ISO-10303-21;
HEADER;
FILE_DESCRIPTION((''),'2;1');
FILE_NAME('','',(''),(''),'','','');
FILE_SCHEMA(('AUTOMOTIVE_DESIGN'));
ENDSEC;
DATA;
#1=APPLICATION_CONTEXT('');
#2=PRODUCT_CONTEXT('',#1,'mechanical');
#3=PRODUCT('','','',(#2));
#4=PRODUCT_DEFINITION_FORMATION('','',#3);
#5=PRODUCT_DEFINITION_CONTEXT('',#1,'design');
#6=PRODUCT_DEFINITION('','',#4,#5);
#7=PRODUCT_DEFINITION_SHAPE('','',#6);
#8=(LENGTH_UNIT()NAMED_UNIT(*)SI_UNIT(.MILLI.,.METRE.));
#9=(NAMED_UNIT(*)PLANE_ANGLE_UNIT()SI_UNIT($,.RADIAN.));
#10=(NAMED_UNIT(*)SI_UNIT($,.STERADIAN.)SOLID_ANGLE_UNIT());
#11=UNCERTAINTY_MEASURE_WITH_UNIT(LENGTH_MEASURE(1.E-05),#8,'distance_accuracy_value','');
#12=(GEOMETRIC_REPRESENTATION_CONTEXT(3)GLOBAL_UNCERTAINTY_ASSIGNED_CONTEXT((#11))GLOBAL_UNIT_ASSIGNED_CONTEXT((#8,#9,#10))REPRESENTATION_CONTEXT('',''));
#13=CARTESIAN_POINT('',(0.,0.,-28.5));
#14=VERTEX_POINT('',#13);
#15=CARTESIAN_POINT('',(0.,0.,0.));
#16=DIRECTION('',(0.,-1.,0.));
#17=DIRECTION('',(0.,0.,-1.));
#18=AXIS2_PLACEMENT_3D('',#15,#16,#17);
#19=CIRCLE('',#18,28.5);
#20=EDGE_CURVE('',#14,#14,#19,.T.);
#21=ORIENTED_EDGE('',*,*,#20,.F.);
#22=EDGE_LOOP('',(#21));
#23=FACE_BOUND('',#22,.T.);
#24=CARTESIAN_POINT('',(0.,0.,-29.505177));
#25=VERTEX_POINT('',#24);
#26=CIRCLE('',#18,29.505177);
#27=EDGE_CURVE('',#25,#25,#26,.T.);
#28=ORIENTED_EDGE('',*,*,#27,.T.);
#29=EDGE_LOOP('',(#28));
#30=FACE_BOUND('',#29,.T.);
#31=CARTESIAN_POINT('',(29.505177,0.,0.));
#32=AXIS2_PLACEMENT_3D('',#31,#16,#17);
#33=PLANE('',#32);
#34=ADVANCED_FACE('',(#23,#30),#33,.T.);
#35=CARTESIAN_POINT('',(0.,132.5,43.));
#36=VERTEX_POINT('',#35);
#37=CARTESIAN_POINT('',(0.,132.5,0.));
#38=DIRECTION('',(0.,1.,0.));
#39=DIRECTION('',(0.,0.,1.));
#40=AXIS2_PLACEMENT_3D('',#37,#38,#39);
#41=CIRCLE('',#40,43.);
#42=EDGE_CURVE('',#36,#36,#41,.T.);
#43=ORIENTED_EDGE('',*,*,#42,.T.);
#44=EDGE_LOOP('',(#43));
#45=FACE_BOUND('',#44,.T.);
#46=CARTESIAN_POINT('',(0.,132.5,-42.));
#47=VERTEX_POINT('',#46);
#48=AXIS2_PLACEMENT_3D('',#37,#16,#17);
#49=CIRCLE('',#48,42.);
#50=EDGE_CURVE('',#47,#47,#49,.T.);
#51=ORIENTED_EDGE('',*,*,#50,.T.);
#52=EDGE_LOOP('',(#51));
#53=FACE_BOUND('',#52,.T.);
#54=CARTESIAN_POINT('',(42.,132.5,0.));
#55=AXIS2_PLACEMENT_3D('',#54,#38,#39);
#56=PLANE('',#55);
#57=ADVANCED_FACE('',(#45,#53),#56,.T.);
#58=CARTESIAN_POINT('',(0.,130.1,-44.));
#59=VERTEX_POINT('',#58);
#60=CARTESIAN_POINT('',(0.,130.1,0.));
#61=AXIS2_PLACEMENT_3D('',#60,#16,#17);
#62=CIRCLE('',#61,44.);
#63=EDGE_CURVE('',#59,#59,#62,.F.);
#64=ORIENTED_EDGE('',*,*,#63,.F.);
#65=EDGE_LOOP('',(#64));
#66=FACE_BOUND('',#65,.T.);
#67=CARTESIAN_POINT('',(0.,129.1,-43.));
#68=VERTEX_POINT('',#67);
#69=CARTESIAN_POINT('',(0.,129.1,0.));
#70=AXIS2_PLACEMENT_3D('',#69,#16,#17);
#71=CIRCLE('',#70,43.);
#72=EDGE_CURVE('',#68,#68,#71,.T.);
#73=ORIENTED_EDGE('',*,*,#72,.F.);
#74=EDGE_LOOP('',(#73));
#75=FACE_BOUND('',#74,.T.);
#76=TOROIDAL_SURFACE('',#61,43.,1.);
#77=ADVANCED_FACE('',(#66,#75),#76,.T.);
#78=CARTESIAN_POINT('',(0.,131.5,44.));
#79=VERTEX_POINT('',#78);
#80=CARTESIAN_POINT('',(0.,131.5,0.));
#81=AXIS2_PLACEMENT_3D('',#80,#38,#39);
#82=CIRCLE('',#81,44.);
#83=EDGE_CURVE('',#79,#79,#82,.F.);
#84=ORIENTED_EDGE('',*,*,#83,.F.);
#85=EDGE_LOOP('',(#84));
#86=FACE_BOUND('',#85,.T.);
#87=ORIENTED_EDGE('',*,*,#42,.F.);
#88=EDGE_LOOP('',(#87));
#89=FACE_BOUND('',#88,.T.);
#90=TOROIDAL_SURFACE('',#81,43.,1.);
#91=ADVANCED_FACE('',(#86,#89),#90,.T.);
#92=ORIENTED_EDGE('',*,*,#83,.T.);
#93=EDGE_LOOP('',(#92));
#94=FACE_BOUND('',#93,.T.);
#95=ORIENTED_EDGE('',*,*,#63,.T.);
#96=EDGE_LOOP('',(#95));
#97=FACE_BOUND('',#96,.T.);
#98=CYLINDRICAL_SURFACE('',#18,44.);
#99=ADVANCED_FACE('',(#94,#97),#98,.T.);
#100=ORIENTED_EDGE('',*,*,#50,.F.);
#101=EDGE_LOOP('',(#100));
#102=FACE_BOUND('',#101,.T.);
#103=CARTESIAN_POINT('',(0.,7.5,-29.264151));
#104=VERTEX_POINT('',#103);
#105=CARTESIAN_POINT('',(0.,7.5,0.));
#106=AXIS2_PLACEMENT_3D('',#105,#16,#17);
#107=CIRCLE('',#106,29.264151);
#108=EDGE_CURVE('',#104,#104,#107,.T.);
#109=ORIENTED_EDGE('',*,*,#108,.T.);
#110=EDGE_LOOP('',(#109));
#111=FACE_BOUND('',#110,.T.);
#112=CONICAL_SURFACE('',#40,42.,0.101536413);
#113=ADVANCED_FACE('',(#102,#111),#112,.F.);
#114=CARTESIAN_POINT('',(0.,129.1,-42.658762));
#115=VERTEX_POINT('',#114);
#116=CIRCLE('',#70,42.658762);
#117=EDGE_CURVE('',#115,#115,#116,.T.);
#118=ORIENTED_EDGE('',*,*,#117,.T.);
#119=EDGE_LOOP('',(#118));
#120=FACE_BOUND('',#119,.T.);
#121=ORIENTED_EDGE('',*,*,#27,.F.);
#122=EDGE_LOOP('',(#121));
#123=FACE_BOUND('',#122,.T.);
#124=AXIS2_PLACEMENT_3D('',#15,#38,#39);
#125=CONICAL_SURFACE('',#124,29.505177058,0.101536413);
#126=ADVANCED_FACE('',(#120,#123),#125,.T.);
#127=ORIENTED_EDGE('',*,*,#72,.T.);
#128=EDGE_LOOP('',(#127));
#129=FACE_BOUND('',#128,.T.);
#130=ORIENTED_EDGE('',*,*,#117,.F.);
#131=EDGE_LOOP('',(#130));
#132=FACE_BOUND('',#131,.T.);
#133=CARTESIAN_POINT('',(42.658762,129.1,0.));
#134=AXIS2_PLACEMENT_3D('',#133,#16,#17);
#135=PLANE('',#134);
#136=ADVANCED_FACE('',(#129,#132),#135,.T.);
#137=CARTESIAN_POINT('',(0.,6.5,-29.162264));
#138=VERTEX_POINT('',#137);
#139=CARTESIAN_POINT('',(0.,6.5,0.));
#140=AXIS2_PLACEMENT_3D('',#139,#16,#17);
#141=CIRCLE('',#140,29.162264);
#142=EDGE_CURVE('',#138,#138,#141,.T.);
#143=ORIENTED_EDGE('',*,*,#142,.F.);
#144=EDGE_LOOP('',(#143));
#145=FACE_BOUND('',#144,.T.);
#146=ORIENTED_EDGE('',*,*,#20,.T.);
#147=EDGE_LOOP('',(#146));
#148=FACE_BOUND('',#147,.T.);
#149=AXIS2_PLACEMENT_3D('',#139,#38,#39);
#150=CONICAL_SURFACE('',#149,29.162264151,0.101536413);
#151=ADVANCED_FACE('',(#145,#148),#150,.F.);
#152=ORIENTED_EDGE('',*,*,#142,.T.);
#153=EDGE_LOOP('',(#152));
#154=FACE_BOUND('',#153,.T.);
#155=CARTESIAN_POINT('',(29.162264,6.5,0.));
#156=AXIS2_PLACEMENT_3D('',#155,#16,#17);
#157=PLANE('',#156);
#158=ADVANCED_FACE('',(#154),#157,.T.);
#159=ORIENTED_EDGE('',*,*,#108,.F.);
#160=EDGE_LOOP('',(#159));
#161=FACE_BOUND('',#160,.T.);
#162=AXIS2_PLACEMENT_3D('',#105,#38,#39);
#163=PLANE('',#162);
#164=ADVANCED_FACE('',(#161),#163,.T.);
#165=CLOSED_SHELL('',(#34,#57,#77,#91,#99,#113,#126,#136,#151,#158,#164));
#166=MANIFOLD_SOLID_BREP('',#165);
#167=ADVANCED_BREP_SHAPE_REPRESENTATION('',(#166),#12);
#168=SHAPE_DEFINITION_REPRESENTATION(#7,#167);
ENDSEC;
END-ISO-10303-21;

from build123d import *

# Parameters (mm, degrees)
REDONDEO1_R = 1


with BuildPart() as part:
    # Croquis1 → Revolución1 (revolve)
    with BuildSketch(Plane.XY, mode=Mode.PRIVATE) as revoluci_n1_sk:
        Polygon((29.505177058, 0), (42.658761964, 129.1), (44, 129.1), (44, 132.5), (42, 132.5), (29.264150943, 7.5), (0, 7.5), (0, 6.5), (29.162264151, 6.5), (28.5, 0), align=None)
    revolve(revoluci_n1_sk.sketch.rotate(Axis((0, 0, 0), (0, 1, 0)), 90), axis=Axis((0, 0, 0), (0, 1, 0)))

    # Redondeo1
    redondeo1_edges = [part.edges().sort_by_distance(p)[0] for p in [
        (0, 132.5, 44),
        (0, 129.1, 44),
    ]]
    fillet(redondeo1_edges, radius=REDONDEO1_R)


solid = part.part
